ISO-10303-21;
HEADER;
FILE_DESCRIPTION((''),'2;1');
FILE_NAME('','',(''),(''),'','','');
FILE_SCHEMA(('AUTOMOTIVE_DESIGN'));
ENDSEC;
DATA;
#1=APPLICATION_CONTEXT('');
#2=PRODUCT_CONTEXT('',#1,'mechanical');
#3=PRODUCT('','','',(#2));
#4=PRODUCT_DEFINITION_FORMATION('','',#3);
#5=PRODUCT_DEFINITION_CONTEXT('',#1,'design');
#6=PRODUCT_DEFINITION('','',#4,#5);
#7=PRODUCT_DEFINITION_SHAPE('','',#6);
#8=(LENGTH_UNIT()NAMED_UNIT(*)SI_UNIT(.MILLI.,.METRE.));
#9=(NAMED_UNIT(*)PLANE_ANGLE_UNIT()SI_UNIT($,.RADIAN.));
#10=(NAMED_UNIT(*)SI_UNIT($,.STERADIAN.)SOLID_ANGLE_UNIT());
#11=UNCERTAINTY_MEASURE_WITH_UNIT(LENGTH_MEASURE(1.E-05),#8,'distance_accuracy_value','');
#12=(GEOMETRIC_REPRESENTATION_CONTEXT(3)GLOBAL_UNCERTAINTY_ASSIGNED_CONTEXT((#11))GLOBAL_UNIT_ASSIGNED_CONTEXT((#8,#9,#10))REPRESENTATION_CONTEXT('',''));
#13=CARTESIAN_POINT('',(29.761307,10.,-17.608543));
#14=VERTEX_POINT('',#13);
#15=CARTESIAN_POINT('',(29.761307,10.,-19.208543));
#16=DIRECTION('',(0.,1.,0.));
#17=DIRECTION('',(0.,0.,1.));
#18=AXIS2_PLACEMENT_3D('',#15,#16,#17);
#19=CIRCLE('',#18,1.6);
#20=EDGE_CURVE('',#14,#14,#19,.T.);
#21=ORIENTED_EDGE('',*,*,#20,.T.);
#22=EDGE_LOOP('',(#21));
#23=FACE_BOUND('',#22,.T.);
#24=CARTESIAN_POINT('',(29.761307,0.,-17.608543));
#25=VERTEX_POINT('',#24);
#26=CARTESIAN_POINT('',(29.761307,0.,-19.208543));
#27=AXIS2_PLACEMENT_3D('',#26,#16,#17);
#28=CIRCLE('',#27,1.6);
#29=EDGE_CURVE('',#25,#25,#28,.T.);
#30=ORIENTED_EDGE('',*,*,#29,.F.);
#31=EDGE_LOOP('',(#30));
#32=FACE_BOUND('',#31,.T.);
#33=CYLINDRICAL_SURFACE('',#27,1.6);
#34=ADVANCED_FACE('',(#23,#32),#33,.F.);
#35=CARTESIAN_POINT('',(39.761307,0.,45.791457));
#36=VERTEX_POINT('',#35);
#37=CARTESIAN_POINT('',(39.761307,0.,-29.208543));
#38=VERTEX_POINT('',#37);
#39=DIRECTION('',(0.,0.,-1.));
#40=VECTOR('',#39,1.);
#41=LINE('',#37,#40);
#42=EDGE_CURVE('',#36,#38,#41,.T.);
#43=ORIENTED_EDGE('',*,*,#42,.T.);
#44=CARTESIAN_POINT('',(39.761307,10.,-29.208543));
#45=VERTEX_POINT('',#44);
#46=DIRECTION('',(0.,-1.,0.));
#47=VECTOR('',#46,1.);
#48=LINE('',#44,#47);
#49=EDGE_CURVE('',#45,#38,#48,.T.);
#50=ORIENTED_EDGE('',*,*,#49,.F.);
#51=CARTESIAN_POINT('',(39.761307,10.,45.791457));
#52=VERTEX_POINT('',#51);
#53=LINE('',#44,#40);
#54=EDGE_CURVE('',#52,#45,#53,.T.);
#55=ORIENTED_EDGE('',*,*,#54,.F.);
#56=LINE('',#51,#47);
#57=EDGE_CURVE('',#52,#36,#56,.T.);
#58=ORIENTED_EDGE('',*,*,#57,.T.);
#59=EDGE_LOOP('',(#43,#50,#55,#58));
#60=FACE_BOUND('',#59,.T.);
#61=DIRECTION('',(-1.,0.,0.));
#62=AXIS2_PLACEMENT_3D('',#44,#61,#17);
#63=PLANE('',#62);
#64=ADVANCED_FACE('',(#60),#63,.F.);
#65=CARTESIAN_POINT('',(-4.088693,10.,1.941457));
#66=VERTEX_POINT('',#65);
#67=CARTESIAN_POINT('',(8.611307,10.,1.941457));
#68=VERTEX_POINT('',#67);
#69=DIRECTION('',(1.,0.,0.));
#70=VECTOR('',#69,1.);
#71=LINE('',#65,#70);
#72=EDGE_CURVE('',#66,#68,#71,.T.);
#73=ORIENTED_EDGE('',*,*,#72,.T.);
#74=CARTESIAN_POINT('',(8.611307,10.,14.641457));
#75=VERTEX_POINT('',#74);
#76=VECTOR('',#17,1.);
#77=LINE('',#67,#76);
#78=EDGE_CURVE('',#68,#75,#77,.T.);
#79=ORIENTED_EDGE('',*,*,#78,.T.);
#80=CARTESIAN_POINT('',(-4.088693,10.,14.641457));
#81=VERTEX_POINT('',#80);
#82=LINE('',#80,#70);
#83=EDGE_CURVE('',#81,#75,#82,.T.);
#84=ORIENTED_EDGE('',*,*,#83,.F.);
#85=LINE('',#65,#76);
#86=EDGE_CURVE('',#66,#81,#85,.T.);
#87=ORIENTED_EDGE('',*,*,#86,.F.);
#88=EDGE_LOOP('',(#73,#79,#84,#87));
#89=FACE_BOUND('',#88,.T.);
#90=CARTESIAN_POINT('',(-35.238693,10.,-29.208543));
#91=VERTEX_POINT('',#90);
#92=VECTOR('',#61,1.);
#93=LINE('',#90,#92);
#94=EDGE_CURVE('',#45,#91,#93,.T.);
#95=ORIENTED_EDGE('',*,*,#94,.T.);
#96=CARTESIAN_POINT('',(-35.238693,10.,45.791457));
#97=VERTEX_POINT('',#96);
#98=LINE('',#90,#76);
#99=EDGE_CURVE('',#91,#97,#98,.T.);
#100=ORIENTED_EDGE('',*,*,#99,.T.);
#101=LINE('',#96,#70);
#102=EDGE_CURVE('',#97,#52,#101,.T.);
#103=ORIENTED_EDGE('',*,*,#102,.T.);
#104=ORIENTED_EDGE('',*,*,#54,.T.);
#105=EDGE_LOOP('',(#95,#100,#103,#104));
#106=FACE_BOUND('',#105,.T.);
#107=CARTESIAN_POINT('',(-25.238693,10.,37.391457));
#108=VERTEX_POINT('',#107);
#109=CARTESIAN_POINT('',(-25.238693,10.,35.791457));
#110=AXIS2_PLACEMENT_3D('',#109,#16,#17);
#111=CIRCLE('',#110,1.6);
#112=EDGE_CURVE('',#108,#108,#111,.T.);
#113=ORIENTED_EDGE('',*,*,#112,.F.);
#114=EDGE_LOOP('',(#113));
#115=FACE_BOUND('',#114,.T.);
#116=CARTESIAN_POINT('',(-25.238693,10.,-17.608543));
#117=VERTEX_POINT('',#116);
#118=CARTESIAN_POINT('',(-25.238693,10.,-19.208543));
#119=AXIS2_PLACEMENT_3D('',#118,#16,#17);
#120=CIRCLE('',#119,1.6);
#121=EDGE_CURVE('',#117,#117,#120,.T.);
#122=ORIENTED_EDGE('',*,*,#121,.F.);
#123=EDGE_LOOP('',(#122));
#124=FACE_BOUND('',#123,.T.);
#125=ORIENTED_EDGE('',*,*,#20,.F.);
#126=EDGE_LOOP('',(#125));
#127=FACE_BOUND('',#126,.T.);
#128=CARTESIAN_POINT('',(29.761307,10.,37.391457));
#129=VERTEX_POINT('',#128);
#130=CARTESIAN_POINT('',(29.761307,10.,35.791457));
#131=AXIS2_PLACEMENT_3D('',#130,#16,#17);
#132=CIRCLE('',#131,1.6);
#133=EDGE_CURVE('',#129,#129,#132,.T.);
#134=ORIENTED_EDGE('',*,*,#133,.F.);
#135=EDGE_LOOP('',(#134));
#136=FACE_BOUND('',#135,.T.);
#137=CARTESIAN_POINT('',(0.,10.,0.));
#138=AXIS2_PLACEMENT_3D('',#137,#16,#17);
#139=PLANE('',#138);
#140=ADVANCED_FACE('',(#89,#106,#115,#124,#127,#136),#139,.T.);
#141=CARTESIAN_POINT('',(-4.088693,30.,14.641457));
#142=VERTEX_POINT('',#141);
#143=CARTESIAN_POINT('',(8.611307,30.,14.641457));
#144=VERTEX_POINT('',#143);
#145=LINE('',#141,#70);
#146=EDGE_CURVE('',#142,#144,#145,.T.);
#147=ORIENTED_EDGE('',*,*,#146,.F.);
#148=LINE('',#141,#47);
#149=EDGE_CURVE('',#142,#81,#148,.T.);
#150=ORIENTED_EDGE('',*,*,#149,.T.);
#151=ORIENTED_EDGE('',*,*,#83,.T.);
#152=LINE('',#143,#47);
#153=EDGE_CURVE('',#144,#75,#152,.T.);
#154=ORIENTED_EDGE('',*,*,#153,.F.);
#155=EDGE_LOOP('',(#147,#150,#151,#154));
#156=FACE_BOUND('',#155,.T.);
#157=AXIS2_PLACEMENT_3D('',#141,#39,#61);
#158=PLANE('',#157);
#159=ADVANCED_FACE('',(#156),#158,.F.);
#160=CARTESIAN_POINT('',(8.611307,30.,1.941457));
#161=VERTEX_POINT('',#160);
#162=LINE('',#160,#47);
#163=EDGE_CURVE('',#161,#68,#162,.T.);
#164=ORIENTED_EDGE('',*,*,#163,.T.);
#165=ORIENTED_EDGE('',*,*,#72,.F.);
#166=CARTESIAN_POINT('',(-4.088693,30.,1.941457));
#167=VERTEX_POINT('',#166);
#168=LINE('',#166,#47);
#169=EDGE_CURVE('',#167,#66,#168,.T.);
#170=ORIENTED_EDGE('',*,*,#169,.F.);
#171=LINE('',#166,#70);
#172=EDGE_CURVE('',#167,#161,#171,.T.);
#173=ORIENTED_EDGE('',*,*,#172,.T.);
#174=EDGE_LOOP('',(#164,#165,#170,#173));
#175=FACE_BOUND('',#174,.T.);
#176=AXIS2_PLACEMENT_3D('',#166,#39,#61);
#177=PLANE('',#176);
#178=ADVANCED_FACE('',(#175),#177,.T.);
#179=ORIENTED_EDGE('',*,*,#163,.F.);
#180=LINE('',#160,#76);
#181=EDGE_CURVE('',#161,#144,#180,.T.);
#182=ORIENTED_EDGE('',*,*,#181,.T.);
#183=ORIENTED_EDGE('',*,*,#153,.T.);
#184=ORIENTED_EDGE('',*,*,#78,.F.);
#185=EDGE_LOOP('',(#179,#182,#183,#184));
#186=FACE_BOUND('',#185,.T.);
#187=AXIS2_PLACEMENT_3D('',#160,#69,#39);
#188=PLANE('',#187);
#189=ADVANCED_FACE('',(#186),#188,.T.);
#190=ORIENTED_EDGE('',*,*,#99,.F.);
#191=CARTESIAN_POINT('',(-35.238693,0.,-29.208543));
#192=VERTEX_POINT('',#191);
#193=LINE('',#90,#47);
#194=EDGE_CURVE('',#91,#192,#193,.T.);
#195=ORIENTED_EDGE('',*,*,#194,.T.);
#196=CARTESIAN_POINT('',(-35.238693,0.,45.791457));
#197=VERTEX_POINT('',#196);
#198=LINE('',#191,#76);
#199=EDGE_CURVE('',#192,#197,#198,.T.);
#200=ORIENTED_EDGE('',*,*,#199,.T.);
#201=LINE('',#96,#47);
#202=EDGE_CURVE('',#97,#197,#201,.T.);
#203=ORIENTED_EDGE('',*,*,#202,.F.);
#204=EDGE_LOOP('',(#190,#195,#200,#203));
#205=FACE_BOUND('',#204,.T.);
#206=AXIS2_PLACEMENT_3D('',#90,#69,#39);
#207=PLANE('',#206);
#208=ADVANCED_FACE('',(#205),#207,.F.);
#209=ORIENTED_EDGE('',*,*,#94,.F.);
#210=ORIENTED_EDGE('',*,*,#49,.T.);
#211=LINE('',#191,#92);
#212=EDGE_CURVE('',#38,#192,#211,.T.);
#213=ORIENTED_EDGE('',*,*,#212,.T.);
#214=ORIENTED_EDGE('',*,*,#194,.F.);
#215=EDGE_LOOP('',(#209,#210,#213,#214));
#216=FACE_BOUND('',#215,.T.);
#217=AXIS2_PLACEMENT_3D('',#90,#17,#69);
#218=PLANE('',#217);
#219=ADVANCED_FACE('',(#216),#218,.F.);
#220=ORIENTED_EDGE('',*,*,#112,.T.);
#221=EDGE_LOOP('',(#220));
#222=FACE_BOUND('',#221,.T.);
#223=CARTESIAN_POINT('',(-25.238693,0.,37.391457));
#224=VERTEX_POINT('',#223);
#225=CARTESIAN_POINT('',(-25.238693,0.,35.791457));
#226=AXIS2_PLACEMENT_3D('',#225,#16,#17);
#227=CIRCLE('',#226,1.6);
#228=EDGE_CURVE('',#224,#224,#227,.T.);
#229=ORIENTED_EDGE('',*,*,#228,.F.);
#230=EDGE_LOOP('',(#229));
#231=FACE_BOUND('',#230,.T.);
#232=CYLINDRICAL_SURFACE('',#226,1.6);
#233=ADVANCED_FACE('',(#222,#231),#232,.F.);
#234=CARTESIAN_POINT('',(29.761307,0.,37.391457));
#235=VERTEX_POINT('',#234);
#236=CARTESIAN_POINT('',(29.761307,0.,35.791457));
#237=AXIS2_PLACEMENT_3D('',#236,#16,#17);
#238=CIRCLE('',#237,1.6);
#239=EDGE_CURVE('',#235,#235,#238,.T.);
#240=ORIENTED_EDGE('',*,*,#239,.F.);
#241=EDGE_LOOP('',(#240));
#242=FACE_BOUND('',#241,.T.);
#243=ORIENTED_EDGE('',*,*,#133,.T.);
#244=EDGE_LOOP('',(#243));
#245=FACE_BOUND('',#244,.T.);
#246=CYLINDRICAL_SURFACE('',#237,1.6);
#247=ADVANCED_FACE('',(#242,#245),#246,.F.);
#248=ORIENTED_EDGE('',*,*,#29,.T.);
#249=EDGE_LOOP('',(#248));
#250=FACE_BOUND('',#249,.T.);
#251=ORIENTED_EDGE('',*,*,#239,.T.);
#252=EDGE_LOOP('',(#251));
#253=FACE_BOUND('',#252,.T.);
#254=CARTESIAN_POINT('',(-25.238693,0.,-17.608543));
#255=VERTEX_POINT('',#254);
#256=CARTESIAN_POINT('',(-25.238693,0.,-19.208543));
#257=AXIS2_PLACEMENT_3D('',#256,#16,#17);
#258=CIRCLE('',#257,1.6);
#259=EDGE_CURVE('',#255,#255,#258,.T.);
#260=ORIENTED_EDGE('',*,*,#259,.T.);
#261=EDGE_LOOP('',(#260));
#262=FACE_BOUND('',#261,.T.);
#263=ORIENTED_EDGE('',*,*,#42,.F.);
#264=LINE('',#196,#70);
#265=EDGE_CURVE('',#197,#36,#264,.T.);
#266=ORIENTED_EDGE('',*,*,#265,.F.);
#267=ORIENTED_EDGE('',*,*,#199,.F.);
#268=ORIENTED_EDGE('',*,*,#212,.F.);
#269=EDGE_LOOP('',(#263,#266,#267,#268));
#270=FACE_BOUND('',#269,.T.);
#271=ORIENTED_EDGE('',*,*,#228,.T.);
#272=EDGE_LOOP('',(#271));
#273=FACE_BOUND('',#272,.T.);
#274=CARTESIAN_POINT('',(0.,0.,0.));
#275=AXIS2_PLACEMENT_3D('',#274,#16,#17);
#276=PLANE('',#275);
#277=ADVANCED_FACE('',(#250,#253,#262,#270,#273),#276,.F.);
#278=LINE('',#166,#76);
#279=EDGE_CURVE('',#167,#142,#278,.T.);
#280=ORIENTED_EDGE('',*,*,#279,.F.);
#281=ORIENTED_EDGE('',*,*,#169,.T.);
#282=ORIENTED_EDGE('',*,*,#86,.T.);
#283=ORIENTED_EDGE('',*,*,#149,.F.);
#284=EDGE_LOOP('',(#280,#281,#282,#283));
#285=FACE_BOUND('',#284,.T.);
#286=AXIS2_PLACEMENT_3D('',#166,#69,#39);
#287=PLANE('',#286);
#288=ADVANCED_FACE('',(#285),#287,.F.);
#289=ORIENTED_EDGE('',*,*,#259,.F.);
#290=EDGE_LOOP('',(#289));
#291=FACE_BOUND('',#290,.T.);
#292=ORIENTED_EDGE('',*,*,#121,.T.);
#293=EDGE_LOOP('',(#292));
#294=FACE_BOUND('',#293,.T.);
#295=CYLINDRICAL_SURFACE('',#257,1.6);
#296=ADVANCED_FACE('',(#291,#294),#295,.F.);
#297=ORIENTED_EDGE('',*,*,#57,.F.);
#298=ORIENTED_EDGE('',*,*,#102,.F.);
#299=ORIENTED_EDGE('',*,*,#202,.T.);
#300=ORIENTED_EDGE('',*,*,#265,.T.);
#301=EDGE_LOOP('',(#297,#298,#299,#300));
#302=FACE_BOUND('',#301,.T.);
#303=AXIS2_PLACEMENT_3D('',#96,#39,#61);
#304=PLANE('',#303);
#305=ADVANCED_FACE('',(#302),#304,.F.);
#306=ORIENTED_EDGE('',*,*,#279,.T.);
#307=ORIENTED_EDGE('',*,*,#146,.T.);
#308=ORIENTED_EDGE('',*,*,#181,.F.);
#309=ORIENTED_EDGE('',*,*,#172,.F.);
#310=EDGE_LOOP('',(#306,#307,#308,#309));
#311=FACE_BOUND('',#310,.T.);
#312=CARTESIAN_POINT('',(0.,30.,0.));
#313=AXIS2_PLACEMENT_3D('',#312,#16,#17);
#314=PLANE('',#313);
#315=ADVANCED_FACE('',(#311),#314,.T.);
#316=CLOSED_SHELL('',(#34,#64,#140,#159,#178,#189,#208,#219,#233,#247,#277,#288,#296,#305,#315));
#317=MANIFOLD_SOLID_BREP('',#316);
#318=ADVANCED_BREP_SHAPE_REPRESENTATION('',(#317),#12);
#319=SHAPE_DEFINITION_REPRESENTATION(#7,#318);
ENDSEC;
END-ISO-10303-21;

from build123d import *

# Parameters (mm, degrees)
SKETCH_1_W          = 75
SKETCH_1_H          = 75
EXTRUDE_1_DEPTH     = 10
SKETCH_2_R          = 1.6
CUT_EXTRUDE_1_DEPTH = 10
SKETCH_3_W          = 12.7
SKETCH_3_H          = 12.7
EXTRUDE_2_DEPTH     = 20


with BuildPart() as part:
    # Эскиз1 → Бобышка-Вытянуть1 (new body)
    with BuildSketch(Plane(origin=(0, 0, 0), x_dir=(1, 0, 0), z_dir=(0, 1, 0))):
        with Locations((2.261306533, -8.291457286)):
            Rectangle(SKETCH_1_W, SKETCH_1_H)
    extrude(amount=EXTRUDE_1_DEPTH)

    # Эскиз2 → Вырез-Вытянуть1 (cut)
    with BuildSketch(Plane(origin=(0, 10, 0), x_dir=(1, 0, 0), z_dir=(0, 1, 0))):
        with Locations(Location((-25.238693467, 19.208542714, 0), (0, 0, 270))):
            Circle(SKETCH_2_R)
        with Locations(Location((29.761306533, 19.208542714, 0), (0, 0, 270))):
            Circle(SKETCH_2_R)
        with Locations(Location((-25.238693467, -35.791457286, 0), (0, 0, 270))):
            Circle(SKETCH_2_R)
        with Locations(Location((29.761306533, -35.791457286, 0), (0, 0, 270))):
            Circle(SKETCH_2_R)
    extrude(amount=-CUT_EXTRUDE_1_DEPTH, mode=Mode.SUBTRACT)

    # Эскиз3 → Бобышка-Вытянуть2 (add)
    with BuildSketch(Plane(origin=(0, 10, 0), x_dir=(1, 0, 0), z_dir=(0, 1, 0))):
        with Locations((2.261306533, -8.291457286)):
            Rectangle(SKETCH_3_W, SKETCH_3_H)
    extrude(amount=EXTRUDE_2_DEPTH)


solid = part.part
